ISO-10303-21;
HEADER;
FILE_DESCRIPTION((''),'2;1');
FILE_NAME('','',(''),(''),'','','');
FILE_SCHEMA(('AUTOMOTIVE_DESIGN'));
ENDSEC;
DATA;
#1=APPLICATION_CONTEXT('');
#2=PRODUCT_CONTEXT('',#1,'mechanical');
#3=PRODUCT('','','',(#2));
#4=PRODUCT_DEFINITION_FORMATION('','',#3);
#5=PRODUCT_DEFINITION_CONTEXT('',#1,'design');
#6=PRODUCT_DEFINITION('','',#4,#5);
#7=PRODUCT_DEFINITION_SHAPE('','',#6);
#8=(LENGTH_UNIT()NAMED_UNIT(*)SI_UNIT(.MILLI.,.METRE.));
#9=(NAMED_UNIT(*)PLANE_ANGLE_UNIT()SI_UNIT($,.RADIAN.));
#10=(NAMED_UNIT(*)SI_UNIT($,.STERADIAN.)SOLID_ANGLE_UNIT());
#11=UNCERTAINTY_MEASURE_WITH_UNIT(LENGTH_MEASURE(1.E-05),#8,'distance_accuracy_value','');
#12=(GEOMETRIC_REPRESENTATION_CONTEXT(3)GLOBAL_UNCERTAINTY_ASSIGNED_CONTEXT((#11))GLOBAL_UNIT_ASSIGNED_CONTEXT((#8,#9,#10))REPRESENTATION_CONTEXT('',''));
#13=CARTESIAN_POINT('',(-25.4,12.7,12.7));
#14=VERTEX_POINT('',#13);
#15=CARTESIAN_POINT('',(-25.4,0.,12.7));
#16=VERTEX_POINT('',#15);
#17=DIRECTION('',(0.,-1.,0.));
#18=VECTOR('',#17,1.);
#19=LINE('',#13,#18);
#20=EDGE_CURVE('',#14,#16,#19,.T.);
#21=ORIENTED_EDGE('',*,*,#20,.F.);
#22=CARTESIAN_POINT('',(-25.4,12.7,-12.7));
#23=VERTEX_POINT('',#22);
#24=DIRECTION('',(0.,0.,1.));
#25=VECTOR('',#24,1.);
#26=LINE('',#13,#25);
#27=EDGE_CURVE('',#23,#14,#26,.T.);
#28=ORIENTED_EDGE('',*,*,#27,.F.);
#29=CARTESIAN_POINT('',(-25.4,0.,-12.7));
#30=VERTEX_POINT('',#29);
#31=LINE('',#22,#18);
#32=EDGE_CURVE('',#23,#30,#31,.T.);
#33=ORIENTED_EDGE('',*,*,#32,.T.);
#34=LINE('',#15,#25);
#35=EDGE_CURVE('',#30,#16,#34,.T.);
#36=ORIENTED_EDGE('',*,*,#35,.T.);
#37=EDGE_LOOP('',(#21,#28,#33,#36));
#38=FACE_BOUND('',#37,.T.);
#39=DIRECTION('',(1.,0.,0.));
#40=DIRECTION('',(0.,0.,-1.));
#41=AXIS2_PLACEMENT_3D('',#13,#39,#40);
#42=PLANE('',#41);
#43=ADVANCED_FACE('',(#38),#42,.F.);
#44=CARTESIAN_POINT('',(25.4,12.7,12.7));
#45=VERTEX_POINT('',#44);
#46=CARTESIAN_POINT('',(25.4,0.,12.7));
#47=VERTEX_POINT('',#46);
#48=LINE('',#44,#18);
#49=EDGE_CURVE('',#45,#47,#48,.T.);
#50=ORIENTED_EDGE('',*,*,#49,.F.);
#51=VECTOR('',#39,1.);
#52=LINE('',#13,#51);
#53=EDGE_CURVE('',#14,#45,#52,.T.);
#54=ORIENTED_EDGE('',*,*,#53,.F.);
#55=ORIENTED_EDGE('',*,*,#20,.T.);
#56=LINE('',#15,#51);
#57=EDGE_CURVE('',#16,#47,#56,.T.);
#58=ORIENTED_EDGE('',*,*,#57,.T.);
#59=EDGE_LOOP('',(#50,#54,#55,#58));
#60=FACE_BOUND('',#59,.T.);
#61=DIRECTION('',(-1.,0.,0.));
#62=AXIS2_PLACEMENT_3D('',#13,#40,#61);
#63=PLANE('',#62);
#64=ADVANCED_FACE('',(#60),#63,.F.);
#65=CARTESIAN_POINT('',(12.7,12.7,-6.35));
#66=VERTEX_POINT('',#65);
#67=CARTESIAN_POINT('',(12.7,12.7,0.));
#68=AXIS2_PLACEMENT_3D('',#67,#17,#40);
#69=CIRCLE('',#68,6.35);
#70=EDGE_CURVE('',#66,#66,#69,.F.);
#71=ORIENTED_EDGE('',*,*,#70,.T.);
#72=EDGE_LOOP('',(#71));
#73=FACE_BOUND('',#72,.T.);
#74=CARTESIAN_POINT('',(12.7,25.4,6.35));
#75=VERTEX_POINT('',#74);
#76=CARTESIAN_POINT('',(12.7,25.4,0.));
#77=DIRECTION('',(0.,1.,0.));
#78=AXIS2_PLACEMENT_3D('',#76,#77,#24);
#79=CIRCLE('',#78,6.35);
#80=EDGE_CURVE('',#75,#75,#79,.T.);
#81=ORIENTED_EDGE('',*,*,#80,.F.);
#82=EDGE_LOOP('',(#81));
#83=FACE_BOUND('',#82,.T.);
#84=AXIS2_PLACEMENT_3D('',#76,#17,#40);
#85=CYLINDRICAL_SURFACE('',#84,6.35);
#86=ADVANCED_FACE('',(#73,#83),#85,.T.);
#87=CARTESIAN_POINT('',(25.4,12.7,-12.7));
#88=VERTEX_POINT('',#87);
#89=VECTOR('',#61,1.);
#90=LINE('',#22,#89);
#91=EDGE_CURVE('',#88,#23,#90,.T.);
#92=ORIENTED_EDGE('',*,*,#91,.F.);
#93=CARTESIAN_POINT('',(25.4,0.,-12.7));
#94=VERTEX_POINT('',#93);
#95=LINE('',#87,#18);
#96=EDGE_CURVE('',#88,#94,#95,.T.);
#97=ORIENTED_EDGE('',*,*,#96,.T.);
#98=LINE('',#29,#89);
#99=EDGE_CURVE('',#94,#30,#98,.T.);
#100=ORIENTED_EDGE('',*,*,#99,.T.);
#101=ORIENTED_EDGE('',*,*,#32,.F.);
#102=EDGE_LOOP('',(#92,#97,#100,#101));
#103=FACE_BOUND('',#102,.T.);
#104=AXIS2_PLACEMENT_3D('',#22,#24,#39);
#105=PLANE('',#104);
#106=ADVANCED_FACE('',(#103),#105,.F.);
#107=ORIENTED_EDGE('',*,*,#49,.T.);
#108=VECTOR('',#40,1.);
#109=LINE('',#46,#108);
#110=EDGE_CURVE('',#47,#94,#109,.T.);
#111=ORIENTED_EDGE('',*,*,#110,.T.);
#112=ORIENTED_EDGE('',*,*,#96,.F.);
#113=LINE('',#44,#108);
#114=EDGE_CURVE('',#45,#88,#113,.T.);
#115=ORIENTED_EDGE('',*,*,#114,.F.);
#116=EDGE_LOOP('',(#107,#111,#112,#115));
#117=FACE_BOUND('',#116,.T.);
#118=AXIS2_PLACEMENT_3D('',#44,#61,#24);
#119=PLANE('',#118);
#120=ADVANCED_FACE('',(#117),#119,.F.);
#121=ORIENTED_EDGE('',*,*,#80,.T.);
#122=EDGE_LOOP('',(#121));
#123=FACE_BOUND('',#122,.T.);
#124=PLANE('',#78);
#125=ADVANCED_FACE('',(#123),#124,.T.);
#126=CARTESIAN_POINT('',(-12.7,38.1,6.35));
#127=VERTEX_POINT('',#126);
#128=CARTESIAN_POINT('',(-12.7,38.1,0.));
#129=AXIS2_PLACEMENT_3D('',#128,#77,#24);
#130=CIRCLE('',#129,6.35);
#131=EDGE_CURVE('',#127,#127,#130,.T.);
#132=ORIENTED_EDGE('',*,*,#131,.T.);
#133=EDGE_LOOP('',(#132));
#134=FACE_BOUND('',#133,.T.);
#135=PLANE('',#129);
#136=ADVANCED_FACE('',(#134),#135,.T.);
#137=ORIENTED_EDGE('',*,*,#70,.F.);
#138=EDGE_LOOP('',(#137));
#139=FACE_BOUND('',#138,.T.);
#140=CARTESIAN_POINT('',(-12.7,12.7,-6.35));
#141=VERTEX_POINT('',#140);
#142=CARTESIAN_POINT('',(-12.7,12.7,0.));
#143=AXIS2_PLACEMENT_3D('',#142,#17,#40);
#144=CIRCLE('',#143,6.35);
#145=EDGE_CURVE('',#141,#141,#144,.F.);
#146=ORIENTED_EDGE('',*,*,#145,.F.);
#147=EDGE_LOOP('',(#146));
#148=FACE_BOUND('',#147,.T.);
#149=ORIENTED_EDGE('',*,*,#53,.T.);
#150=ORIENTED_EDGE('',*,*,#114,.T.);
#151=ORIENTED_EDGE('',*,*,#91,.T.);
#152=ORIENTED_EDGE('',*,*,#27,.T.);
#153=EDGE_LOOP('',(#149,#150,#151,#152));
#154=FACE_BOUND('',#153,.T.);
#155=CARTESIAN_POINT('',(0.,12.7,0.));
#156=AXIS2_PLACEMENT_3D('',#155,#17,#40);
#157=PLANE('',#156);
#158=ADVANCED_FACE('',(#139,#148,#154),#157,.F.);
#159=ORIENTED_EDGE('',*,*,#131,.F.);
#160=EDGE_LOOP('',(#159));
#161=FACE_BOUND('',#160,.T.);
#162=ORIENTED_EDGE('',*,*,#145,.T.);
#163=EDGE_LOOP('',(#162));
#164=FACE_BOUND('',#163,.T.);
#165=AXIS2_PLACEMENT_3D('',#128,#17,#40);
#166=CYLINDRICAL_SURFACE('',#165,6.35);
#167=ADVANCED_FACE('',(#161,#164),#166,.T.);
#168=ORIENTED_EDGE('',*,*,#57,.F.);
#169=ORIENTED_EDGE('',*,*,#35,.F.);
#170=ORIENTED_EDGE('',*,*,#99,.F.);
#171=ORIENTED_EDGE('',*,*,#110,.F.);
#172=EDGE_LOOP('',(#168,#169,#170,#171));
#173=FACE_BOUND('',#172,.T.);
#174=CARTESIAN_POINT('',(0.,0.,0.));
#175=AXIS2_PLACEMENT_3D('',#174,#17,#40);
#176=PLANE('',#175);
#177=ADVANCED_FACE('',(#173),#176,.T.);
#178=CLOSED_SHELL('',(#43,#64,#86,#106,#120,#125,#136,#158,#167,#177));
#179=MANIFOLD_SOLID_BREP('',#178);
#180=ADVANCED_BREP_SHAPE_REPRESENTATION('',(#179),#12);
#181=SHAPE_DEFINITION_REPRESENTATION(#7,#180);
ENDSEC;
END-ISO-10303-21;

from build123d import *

# Parameters (mm, degrees)
SKETCH1_W           = 50.8
SKETCH1_H           = 25.4
BOSS_EXTRUDE1_DEPTH = 12.7
SKETCH2_R           = 6.35
BOSS_EXTRUDE2_DEPTH = 25.4
SKETCH3_R           = 6.35
BOSS_EXTRUDE3_DEPTH = 12.7


with BuildPart() as part:
    # Sketch1 → Boss-Extrude1 (new body)
    with BuildSketch(Plane(origin=(0, 0, 0), x_dir=(1, 0, 0), z_dir=(0, 1, 0))):
        Rectangle(SKETCH1_W, SKETCH1_H)
    extrude(amount=BOSS_EXTRUDE1_DEPTH)

    # Sketch2 → Boss-Extrude2 (add)
    with BuildSketch(Plane(origin=(0, 12.7, 0), x_dir=(1, 0, 0), z_dir=(0, 1, 0))):
        with Locations((-12.7, 0)):
            Circle(SKETCH2_R)
    extrude(amount=BOSS_EXTRUDE2_DEPTH)

    # Sketch3 → Boss-Extrude3 (add)
    with BuildSketch(Plane(origin=(0, 12.7, 0), x_dir=(1, 0, 0), z_dir=(0, 1, 0))):
        with Locations((12.7, 0)):
            Circle(SKETCH3_R)
    extrude(amount=BOSS_EXTRUDE3_DEPTH)


solid = part.part
